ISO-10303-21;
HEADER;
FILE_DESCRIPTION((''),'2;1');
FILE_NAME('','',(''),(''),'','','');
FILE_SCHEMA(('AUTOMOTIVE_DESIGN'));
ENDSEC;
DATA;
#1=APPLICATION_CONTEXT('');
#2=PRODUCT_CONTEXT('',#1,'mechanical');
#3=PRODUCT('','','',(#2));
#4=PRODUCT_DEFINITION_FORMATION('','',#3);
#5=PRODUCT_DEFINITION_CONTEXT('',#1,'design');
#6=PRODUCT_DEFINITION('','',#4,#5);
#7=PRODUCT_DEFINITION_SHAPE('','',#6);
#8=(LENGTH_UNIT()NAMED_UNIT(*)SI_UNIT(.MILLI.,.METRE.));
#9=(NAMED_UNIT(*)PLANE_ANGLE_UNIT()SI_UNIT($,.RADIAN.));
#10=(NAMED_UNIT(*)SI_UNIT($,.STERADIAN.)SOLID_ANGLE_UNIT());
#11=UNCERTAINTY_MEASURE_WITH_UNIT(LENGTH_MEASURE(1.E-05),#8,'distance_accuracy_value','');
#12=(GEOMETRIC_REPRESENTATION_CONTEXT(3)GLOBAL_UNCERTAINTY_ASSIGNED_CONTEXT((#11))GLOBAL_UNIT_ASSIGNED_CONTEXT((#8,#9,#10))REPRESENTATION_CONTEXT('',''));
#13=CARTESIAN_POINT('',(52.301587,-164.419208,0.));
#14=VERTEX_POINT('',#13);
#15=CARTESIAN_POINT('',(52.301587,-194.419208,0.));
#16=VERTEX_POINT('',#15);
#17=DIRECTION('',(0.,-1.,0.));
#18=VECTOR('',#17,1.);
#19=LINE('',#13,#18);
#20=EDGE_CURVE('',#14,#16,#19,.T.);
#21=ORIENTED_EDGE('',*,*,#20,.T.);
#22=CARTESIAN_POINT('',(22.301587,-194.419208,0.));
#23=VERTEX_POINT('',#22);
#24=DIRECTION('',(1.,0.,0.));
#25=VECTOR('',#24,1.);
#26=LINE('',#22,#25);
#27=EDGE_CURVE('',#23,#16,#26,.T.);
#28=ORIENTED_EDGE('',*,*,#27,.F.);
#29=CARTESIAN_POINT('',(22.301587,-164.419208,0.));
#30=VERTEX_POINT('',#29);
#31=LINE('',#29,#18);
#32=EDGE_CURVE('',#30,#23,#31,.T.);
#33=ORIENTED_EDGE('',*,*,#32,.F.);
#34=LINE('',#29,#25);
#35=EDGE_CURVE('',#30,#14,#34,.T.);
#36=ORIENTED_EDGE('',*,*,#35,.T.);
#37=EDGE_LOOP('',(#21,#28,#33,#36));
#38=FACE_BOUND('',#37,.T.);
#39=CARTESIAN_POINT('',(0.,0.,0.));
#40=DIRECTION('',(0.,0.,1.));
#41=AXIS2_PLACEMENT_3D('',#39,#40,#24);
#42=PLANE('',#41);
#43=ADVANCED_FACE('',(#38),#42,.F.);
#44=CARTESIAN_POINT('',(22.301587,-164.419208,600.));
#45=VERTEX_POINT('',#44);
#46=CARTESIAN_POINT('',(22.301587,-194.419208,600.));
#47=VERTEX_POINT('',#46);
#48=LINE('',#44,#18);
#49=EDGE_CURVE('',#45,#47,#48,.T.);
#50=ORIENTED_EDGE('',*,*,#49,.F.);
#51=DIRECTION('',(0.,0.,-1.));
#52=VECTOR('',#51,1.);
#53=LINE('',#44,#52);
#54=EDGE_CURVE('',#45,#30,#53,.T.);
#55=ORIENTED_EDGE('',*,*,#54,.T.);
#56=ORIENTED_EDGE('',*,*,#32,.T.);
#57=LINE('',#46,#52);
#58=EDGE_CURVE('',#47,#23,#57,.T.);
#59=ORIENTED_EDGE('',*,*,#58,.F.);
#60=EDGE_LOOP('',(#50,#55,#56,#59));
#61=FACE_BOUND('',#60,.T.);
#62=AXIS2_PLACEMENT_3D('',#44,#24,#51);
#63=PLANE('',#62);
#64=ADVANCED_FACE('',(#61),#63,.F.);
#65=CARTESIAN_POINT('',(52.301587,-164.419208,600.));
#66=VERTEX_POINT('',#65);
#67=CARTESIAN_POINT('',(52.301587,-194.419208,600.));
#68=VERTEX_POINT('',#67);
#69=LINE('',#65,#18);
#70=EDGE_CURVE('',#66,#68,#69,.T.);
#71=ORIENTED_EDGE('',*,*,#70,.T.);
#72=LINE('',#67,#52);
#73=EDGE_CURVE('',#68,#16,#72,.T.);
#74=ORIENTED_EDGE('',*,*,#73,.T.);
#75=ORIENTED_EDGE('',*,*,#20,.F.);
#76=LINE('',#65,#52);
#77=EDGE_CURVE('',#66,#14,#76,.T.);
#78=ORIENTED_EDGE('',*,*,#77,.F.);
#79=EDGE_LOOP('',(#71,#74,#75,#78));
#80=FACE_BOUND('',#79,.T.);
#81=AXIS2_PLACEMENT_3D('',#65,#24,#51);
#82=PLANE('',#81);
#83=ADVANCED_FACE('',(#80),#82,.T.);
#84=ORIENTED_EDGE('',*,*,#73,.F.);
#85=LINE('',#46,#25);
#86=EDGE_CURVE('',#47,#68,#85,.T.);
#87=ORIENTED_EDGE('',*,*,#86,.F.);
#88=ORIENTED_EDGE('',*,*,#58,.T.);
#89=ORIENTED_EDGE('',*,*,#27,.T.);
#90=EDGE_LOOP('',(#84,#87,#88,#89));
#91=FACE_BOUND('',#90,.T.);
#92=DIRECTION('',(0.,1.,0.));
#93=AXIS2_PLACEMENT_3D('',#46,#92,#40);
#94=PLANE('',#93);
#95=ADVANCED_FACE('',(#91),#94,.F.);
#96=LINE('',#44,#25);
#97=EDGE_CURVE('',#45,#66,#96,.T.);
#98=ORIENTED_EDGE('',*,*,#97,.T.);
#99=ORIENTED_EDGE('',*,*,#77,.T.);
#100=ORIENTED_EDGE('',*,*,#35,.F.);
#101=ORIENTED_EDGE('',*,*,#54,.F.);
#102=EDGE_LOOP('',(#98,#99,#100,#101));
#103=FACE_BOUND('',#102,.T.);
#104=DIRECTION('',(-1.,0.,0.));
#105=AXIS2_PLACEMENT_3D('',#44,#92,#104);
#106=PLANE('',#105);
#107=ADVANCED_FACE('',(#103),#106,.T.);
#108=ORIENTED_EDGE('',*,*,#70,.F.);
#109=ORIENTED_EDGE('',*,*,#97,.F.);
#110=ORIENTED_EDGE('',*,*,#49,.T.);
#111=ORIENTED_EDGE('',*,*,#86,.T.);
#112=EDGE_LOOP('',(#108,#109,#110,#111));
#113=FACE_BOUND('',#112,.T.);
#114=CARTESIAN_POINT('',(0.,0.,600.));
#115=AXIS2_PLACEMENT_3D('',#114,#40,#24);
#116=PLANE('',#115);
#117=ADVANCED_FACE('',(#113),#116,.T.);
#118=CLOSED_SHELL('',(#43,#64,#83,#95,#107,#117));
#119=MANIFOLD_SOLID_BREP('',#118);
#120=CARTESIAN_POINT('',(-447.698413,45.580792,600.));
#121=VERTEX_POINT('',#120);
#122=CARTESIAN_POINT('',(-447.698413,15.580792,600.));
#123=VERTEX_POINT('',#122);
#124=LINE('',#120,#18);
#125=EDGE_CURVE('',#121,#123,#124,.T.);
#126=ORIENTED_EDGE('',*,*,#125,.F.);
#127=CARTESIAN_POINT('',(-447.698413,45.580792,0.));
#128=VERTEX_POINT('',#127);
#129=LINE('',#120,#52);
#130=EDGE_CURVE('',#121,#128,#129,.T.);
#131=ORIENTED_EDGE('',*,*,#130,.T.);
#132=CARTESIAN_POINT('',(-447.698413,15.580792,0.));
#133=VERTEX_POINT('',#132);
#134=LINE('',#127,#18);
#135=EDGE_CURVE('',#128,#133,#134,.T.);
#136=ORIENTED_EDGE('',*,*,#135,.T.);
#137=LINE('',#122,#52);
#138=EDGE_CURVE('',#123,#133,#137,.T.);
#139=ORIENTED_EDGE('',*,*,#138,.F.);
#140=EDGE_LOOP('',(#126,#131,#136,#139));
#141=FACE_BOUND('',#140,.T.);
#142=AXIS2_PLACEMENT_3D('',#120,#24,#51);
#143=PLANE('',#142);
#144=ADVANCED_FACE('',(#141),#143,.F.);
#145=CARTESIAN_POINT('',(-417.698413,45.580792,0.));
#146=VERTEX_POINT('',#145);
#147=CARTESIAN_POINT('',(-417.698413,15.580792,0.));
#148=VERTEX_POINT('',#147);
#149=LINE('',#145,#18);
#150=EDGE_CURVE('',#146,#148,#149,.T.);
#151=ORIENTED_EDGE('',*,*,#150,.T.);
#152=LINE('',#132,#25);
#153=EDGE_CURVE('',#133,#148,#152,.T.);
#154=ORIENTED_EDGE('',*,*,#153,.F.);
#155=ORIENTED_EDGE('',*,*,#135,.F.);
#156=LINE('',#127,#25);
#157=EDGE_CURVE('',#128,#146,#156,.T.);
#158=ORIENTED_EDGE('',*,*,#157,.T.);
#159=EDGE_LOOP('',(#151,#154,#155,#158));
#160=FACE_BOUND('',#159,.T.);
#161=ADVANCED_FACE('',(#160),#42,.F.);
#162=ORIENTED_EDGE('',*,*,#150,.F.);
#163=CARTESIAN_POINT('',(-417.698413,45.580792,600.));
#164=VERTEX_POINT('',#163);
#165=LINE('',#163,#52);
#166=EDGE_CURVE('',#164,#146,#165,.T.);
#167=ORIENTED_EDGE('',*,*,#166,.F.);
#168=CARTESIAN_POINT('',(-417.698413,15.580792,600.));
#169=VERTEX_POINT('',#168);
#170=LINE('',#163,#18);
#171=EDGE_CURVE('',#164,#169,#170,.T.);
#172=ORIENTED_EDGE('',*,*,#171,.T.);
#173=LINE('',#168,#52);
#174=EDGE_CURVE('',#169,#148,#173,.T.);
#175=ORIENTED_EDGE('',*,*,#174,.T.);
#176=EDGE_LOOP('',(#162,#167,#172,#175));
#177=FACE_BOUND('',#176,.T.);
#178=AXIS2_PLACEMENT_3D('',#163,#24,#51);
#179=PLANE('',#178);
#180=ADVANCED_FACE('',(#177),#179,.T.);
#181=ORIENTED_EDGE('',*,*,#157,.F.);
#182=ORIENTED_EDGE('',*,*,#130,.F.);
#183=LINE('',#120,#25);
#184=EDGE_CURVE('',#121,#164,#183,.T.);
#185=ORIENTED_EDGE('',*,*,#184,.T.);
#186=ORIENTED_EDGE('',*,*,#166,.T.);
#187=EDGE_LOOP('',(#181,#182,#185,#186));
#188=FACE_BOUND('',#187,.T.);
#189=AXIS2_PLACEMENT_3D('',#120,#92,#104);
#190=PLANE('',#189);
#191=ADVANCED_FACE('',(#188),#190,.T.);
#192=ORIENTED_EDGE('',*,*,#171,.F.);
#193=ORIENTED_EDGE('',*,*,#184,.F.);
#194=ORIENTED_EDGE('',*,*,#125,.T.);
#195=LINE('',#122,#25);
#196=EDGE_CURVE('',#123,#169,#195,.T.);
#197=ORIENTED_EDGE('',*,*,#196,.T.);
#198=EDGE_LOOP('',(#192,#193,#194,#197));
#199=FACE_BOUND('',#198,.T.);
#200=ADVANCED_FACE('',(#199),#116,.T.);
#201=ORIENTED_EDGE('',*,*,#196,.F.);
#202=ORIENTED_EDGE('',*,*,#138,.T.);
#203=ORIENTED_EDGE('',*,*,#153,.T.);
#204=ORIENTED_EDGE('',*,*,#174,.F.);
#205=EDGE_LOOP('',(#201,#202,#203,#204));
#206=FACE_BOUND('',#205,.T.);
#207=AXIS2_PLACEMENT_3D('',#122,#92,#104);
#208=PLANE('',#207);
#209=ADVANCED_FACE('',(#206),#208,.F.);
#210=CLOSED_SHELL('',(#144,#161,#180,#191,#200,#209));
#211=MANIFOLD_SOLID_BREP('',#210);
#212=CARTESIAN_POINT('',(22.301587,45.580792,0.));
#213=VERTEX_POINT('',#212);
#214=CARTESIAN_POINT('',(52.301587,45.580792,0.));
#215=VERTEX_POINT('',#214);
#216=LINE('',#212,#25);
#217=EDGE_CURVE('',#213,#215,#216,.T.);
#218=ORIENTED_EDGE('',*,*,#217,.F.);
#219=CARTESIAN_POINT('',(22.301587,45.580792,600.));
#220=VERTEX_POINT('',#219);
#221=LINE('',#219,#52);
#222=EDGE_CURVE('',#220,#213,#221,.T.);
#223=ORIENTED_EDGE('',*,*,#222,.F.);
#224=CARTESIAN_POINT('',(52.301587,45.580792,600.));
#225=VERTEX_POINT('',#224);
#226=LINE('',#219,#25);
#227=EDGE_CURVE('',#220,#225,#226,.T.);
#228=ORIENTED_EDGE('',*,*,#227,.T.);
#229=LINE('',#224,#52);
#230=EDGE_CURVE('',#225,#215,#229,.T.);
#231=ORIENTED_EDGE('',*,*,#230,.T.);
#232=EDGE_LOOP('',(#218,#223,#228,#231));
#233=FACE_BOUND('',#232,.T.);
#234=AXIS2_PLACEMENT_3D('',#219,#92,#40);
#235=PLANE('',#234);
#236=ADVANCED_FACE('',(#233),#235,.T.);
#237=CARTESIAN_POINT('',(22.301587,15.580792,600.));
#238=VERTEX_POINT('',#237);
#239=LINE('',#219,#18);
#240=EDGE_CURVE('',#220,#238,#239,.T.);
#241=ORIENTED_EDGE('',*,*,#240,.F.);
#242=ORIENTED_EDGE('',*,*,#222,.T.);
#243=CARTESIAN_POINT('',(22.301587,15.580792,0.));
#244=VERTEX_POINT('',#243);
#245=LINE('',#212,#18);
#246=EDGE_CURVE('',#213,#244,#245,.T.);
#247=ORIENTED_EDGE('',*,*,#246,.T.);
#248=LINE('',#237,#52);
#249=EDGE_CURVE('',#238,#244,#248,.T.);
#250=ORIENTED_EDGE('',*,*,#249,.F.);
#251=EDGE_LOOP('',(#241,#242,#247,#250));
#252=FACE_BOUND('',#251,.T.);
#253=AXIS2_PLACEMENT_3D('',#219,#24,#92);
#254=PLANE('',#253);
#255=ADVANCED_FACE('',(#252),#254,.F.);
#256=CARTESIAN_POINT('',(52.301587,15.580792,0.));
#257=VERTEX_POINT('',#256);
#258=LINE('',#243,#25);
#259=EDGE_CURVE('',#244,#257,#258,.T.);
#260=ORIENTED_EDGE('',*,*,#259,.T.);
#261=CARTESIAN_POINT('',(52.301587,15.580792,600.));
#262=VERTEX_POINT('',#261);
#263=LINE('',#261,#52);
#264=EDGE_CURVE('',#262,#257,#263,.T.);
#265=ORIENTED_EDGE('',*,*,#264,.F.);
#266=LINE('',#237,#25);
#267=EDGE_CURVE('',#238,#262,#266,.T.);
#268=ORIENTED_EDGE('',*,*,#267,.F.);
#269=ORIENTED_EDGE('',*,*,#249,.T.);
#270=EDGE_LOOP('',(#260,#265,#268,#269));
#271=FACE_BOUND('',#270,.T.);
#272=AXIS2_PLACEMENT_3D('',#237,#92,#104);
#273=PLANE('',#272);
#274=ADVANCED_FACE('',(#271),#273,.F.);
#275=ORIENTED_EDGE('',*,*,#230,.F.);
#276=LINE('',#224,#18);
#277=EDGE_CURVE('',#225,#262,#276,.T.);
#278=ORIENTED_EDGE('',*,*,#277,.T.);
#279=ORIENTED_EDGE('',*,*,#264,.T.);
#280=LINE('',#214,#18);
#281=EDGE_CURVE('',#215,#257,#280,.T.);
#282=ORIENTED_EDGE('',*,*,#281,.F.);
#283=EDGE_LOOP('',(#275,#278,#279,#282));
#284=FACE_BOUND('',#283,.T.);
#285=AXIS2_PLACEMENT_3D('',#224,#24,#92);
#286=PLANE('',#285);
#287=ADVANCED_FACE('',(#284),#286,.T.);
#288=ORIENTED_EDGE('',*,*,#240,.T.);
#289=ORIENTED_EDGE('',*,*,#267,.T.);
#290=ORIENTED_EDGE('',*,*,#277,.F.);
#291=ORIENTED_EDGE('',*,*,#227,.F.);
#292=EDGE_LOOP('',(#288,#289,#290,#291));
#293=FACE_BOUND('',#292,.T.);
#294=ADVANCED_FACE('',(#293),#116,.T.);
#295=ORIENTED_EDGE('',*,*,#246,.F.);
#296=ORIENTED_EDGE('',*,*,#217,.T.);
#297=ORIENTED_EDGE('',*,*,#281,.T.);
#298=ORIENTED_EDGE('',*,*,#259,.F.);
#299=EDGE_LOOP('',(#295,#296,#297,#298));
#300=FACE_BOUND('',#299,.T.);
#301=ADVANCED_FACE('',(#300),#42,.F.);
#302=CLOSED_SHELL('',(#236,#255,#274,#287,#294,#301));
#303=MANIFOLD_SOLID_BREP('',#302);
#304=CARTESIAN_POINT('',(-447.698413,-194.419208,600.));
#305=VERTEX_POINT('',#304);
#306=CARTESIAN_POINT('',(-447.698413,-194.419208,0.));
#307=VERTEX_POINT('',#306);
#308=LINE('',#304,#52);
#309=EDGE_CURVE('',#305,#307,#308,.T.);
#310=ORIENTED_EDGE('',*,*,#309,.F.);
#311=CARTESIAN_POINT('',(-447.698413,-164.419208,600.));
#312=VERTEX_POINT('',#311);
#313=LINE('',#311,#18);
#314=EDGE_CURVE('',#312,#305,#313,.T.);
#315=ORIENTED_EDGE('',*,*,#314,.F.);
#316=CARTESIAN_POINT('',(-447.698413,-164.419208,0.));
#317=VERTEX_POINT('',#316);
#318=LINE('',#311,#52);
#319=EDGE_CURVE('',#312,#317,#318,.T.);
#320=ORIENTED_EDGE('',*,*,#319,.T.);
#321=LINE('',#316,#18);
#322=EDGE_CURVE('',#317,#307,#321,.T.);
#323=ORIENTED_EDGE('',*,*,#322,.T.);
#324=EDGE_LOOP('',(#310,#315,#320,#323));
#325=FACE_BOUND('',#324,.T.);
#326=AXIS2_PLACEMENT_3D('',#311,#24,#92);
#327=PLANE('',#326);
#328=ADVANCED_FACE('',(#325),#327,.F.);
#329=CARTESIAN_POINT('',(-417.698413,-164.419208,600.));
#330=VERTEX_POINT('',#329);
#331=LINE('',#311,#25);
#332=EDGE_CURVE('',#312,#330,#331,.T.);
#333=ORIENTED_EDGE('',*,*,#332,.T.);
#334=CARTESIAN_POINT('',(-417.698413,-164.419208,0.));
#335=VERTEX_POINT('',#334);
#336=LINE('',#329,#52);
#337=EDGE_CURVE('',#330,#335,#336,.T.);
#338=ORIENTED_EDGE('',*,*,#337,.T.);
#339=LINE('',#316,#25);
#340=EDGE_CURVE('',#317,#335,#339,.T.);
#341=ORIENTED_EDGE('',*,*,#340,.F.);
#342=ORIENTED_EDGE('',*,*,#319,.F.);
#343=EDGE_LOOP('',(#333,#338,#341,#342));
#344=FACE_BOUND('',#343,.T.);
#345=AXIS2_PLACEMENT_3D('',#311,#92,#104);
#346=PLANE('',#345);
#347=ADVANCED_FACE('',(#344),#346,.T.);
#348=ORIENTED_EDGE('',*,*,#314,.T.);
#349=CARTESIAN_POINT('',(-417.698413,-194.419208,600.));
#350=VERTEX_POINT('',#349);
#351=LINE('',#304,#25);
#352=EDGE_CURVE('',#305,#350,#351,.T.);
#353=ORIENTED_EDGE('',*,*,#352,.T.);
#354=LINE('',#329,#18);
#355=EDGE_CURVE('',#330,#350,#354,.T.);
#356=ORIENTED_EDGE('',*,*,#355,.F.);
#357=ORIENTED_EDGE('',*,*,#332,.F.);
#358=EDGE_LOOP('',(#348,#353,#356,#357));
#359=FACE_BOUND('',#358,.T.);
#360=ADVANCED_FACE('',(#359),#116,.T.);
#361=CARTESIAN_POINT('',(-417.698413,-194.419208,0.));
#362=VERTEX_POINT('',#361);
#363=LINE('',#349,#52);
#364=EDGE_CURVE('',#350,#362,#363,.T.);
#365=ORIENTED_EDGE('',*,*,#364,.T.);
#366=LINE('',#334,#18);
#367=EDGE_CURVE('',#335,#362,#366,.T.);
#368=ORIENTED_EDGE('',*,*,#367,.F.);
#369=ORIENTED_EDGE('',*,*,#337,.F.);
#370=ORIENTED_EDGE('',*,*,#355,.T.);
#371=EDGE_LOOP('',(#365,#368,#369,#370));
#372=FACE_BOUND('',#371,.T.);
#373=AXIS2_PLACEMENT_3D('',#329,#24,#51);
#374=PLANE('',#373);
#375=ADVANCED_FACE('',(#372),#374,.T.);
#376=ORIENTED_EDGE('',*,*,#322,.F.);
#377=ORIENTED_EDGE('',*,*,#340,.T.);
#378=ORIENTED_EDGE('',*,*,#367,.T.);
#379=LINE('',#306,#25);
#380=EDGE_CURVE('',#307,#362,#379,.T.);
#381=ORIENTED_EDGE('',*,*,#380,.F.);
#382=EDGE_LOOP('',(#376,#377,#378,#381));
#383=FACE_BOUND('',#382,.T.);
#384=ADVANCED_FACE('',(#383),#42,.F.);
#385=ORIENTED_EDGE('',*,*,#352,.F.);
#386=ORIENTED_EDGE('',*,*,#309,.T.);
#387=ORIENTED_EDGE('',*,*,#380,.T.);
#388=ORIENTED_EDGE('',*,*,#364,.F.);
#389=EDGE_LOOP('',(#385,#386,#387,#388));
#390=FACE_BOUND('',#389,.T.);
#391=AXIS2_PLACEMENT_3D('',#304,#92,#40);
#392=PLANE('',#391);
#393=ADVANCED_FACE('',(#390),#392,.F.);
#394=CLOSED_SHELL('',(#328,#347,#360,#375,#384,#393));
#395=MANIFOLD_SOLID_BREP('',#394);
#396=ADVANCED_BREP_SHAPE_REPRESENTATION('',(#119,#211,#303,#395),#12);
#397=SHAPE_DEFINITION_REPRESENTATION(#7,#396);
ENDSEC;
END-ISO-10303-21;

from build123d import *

# Parameters (mm, degrees)
SKETCH_1_W        = 30
SKETCH_1_H        = 30
EXTRUDE_1_DEPTH   = 600
EXTRUDE_1_2_DEPTH = 600
EXTRUDE_1_3_DEPTH = 600
EXTRUDE_1_4_DEPTH = 600


with BuildPart() as part:
    # 草图1 → 凸台-拉伸1 (new body)
    with BuildSketch(Plane.XY):
        with Locations((-432.698412698, 30.58079164)):
            Rectangle(SKETCH_1_W, SKETCH_1_H)
    extrude(amount=EXTRUDE_1_DEPTH)


with BuildPart() as body_2:
    # 草图1 → Extrude 1 2 (new body)
    with BuildSketch(Plane.XY):
        with Locations((37.301587302, 30.58079164)):
            Rectangle(SKETCH_1_W, SKETCH_1_H)
    extrude(amount=EXTRUDE_1_2_DEPTH)


with BuildPart() as body_3:
    # 草图1 → Extrude 1 3 (new body)
    with BuildSketch(Plane.XY):
        with Locations((-432.698412698, -179.41920836)):
            Rectangle(SKETCH_1_W, SKETCH_1_H)
    extrude(amount=EXTRUDE_1_3_DEPTH)


with BuildPart() as body_4:
    # 草图1 → Extrude 1 4 (new body)
    with BuildSketch(Plane.XY):
        with Locations((37.301587302, -179.41920836)):
            Rectangle(SKETCH_1_W, SKETCH_1_H)
    extrude(amount=EXTRUDE_1_4_DEPTH)


solid = Compound([part.part, body_2.part, body_3.part, body_4.part])
